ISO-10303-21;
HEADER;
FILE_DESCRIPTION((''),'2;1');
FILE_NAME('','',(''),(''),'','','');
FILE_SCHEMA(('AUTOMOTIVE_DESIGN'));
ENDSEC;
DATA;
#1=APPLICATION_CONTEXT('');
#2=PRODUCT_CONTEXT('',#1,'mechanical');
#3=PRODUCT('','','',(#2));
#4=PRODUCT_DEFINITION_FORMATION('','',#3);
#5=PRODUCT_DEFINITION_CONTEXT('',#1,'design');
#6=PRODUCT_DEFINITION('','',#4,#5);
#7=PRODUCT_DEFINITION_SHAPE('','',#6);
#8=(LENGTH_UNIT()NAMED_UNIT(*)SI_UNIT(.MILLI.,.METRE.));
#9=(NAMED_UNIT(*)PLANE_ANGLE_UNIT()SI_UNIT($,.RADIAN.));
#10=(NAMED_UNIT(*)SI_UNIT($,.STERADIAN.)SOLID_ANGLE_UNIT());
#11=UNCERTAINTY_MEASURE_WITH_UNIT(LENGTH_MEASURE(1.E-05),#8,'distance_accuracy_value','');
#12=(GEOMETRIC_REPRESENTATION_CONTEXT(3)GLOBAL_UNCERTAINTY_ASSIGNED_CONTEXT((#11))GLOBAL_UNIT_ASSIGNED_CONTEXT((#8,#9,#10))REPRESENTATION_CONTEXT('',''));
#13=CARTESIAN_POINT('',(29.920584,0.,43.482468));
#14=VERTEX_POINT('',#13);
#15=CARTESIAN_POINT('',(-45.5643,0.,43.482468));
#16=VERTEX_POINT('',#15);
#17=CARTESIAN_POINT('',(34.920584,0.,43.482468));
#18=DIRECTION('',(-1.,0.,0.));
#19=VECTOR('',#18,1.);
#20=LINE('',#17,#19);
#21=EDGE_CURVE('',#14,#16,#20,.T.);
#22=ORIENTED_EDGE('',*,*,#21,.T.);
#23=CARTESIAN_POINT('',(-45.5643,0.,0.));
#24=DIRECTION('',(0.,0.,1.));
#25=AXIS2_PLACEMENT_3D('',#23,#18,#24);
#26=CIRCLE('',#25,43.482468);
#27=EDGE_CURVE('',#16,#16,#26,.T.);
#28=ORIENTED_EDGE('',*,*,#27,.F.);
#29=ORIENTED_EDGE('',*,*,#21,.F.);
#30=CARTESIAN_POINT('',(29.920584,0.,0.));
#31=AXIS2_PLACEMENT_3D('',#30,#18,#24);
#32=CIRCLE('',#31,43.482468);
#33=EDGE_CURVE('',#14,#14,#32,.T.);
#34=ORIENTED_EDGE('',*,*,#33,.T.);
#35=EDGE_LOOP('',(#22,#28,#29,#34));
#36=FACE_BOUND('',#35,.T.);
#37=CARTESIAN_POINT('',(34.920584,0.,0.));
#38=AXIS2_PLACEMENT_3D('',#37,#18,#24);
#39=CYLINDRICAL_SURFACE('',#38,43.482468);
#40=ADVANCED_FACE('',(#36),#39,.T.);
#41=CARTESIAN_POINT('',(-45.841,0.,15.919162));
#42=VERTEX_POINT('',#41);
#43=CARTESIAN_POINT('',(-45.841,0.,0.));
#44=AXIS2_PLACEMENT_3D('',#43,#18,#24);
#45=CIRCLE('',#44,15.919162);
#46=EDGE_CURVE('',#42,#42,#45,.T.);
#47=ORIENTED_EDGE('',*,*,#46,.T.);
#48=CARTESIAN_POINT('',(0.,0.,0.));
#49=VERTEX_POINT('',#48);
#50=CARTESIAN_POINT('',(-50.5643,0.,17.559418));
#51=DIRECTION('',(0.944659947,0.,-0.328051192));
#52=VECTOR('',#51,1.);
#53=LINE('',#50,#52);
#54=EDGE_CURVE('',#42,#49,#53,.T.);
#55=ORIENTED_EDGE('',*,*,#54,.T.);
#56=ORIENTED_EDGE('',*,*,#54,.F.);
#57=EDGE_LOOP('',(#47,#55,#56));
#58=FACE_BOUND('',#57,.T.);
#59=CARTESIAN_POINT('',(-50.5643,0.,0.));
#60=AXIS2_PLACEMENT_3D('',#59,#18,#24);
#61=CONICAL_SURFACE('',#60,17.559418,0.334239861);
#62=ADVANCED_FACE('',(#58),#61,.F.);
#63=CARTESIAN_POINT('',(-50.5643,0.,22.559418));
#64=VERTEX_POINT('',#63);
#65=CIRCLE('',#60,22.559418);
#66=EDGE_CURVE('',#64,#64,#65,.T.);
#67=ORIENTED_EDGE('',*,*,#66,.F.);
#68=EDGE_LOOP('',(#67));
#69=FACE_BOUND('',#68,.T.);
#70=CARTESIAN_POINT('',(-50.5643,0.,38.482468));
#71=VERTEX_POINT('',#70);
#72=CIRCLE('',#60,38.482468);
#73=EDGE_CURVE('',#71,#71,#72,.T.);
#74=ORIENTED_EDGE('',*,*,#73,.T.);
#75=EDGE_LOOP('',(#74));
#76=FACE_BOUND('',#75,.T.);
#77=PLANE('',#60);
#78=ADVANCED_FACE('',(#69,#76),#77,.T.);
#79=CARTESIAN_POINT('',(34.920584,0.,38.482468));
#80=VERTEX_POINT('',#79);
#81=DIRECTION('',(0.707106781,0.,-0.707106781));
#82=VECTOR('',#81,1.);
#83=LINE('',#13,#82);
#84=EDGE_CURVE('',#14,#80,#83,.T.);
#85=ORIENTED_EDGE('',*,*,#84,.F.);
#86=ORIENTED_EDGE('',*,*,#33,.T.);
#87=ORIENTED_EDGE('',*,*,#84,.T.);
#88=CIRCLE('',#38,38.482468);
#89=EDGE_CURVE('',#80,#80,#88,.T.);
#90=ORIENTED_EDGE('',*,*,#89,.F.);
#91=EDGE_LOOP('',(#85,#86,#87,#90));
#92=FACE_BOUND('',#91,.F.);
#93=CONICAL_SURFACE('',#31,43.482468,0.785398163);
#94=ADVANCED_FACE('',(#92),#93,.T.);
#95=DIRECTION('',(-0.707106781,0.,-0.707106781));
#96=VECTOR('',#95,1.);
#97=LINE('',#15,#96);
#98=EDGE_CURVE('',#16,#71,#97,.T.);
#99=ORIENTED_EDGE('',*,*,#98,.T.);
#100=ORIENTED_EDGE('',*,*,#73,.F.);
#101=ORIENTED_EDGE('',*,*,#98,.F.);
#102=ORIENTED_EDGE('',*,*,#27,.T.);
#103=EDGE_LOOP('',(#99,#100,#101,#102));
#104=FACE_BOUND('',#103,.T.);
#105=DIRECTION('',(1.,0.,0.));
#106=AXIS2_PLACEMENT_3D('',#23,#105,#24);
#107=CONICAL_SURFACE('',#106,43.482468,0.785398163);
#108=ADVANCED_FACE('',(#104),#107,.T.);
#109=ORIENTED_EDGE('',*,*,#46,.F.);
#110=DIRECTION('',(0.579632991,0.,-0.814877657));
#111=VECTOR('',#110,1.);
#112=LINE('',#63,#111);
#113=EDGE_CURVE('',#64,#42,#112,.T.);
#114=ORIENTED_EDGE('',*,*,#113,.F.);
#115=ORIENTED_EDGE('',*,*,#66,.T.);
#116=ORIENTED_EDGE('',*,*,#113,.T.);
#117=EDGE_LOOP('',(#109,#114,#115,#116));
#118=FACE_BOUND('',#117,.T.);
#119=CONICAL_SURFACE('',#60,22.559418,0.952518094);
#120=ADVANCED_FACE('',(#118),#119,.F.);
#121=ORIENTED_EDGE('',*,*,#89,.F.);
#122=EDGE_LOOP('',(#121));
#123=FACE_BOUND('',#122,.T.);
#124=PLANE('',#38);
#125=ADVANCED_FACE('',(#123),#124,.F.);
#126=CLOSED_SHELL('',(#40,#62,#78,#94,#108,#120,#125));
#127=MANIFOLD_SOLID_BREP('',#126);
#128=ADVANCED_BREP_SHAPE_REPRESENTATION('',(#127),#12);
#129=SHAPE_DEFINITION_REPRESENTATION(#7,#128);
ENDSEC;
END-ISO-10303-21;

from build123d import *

# Parameters (mm, degrees)
F2_SIZE = 5
F3_SIZE = 5
F4_SIZE = 5


with BuildPart() as f1:
    # F0 (on Front) → F1 (revolve)
    with BuildSketch(Plane.XZ):
        Polygon((34.920584, 43.482468), (-50.5643, 43.482468), (-50.5643, 17.559418), (0, 0), (34.920584, 0), (34.920584, 17.559418), align=None)
    revolve(axis=Axis((17.460292, 0, 0), (-1, 0, 0)))

    # F2
    f2_edges = [f1.edges().sort_by_distance(p)[0] for p in [
        (-50.5643, 0, -43.482468),
    ]]
    chamfer(f2_edges, length=F2_SIZE)

    # F3
    f3_edges = [f1.edges().sort_by_distance(p)[0] for p in [
        (-50.5643, 0, -17.559418),
    ]]
    chamfer(f3_edges, length=F3_SIZE)

    # F4
    f4_edges = [f1.edges().sort_by_distance(p)[0] for p in [
        (34.920584, 0, -43.482468),
    ]]
    chamfer(f4_edges, length=F4_SIZE)


solid = f1.part
